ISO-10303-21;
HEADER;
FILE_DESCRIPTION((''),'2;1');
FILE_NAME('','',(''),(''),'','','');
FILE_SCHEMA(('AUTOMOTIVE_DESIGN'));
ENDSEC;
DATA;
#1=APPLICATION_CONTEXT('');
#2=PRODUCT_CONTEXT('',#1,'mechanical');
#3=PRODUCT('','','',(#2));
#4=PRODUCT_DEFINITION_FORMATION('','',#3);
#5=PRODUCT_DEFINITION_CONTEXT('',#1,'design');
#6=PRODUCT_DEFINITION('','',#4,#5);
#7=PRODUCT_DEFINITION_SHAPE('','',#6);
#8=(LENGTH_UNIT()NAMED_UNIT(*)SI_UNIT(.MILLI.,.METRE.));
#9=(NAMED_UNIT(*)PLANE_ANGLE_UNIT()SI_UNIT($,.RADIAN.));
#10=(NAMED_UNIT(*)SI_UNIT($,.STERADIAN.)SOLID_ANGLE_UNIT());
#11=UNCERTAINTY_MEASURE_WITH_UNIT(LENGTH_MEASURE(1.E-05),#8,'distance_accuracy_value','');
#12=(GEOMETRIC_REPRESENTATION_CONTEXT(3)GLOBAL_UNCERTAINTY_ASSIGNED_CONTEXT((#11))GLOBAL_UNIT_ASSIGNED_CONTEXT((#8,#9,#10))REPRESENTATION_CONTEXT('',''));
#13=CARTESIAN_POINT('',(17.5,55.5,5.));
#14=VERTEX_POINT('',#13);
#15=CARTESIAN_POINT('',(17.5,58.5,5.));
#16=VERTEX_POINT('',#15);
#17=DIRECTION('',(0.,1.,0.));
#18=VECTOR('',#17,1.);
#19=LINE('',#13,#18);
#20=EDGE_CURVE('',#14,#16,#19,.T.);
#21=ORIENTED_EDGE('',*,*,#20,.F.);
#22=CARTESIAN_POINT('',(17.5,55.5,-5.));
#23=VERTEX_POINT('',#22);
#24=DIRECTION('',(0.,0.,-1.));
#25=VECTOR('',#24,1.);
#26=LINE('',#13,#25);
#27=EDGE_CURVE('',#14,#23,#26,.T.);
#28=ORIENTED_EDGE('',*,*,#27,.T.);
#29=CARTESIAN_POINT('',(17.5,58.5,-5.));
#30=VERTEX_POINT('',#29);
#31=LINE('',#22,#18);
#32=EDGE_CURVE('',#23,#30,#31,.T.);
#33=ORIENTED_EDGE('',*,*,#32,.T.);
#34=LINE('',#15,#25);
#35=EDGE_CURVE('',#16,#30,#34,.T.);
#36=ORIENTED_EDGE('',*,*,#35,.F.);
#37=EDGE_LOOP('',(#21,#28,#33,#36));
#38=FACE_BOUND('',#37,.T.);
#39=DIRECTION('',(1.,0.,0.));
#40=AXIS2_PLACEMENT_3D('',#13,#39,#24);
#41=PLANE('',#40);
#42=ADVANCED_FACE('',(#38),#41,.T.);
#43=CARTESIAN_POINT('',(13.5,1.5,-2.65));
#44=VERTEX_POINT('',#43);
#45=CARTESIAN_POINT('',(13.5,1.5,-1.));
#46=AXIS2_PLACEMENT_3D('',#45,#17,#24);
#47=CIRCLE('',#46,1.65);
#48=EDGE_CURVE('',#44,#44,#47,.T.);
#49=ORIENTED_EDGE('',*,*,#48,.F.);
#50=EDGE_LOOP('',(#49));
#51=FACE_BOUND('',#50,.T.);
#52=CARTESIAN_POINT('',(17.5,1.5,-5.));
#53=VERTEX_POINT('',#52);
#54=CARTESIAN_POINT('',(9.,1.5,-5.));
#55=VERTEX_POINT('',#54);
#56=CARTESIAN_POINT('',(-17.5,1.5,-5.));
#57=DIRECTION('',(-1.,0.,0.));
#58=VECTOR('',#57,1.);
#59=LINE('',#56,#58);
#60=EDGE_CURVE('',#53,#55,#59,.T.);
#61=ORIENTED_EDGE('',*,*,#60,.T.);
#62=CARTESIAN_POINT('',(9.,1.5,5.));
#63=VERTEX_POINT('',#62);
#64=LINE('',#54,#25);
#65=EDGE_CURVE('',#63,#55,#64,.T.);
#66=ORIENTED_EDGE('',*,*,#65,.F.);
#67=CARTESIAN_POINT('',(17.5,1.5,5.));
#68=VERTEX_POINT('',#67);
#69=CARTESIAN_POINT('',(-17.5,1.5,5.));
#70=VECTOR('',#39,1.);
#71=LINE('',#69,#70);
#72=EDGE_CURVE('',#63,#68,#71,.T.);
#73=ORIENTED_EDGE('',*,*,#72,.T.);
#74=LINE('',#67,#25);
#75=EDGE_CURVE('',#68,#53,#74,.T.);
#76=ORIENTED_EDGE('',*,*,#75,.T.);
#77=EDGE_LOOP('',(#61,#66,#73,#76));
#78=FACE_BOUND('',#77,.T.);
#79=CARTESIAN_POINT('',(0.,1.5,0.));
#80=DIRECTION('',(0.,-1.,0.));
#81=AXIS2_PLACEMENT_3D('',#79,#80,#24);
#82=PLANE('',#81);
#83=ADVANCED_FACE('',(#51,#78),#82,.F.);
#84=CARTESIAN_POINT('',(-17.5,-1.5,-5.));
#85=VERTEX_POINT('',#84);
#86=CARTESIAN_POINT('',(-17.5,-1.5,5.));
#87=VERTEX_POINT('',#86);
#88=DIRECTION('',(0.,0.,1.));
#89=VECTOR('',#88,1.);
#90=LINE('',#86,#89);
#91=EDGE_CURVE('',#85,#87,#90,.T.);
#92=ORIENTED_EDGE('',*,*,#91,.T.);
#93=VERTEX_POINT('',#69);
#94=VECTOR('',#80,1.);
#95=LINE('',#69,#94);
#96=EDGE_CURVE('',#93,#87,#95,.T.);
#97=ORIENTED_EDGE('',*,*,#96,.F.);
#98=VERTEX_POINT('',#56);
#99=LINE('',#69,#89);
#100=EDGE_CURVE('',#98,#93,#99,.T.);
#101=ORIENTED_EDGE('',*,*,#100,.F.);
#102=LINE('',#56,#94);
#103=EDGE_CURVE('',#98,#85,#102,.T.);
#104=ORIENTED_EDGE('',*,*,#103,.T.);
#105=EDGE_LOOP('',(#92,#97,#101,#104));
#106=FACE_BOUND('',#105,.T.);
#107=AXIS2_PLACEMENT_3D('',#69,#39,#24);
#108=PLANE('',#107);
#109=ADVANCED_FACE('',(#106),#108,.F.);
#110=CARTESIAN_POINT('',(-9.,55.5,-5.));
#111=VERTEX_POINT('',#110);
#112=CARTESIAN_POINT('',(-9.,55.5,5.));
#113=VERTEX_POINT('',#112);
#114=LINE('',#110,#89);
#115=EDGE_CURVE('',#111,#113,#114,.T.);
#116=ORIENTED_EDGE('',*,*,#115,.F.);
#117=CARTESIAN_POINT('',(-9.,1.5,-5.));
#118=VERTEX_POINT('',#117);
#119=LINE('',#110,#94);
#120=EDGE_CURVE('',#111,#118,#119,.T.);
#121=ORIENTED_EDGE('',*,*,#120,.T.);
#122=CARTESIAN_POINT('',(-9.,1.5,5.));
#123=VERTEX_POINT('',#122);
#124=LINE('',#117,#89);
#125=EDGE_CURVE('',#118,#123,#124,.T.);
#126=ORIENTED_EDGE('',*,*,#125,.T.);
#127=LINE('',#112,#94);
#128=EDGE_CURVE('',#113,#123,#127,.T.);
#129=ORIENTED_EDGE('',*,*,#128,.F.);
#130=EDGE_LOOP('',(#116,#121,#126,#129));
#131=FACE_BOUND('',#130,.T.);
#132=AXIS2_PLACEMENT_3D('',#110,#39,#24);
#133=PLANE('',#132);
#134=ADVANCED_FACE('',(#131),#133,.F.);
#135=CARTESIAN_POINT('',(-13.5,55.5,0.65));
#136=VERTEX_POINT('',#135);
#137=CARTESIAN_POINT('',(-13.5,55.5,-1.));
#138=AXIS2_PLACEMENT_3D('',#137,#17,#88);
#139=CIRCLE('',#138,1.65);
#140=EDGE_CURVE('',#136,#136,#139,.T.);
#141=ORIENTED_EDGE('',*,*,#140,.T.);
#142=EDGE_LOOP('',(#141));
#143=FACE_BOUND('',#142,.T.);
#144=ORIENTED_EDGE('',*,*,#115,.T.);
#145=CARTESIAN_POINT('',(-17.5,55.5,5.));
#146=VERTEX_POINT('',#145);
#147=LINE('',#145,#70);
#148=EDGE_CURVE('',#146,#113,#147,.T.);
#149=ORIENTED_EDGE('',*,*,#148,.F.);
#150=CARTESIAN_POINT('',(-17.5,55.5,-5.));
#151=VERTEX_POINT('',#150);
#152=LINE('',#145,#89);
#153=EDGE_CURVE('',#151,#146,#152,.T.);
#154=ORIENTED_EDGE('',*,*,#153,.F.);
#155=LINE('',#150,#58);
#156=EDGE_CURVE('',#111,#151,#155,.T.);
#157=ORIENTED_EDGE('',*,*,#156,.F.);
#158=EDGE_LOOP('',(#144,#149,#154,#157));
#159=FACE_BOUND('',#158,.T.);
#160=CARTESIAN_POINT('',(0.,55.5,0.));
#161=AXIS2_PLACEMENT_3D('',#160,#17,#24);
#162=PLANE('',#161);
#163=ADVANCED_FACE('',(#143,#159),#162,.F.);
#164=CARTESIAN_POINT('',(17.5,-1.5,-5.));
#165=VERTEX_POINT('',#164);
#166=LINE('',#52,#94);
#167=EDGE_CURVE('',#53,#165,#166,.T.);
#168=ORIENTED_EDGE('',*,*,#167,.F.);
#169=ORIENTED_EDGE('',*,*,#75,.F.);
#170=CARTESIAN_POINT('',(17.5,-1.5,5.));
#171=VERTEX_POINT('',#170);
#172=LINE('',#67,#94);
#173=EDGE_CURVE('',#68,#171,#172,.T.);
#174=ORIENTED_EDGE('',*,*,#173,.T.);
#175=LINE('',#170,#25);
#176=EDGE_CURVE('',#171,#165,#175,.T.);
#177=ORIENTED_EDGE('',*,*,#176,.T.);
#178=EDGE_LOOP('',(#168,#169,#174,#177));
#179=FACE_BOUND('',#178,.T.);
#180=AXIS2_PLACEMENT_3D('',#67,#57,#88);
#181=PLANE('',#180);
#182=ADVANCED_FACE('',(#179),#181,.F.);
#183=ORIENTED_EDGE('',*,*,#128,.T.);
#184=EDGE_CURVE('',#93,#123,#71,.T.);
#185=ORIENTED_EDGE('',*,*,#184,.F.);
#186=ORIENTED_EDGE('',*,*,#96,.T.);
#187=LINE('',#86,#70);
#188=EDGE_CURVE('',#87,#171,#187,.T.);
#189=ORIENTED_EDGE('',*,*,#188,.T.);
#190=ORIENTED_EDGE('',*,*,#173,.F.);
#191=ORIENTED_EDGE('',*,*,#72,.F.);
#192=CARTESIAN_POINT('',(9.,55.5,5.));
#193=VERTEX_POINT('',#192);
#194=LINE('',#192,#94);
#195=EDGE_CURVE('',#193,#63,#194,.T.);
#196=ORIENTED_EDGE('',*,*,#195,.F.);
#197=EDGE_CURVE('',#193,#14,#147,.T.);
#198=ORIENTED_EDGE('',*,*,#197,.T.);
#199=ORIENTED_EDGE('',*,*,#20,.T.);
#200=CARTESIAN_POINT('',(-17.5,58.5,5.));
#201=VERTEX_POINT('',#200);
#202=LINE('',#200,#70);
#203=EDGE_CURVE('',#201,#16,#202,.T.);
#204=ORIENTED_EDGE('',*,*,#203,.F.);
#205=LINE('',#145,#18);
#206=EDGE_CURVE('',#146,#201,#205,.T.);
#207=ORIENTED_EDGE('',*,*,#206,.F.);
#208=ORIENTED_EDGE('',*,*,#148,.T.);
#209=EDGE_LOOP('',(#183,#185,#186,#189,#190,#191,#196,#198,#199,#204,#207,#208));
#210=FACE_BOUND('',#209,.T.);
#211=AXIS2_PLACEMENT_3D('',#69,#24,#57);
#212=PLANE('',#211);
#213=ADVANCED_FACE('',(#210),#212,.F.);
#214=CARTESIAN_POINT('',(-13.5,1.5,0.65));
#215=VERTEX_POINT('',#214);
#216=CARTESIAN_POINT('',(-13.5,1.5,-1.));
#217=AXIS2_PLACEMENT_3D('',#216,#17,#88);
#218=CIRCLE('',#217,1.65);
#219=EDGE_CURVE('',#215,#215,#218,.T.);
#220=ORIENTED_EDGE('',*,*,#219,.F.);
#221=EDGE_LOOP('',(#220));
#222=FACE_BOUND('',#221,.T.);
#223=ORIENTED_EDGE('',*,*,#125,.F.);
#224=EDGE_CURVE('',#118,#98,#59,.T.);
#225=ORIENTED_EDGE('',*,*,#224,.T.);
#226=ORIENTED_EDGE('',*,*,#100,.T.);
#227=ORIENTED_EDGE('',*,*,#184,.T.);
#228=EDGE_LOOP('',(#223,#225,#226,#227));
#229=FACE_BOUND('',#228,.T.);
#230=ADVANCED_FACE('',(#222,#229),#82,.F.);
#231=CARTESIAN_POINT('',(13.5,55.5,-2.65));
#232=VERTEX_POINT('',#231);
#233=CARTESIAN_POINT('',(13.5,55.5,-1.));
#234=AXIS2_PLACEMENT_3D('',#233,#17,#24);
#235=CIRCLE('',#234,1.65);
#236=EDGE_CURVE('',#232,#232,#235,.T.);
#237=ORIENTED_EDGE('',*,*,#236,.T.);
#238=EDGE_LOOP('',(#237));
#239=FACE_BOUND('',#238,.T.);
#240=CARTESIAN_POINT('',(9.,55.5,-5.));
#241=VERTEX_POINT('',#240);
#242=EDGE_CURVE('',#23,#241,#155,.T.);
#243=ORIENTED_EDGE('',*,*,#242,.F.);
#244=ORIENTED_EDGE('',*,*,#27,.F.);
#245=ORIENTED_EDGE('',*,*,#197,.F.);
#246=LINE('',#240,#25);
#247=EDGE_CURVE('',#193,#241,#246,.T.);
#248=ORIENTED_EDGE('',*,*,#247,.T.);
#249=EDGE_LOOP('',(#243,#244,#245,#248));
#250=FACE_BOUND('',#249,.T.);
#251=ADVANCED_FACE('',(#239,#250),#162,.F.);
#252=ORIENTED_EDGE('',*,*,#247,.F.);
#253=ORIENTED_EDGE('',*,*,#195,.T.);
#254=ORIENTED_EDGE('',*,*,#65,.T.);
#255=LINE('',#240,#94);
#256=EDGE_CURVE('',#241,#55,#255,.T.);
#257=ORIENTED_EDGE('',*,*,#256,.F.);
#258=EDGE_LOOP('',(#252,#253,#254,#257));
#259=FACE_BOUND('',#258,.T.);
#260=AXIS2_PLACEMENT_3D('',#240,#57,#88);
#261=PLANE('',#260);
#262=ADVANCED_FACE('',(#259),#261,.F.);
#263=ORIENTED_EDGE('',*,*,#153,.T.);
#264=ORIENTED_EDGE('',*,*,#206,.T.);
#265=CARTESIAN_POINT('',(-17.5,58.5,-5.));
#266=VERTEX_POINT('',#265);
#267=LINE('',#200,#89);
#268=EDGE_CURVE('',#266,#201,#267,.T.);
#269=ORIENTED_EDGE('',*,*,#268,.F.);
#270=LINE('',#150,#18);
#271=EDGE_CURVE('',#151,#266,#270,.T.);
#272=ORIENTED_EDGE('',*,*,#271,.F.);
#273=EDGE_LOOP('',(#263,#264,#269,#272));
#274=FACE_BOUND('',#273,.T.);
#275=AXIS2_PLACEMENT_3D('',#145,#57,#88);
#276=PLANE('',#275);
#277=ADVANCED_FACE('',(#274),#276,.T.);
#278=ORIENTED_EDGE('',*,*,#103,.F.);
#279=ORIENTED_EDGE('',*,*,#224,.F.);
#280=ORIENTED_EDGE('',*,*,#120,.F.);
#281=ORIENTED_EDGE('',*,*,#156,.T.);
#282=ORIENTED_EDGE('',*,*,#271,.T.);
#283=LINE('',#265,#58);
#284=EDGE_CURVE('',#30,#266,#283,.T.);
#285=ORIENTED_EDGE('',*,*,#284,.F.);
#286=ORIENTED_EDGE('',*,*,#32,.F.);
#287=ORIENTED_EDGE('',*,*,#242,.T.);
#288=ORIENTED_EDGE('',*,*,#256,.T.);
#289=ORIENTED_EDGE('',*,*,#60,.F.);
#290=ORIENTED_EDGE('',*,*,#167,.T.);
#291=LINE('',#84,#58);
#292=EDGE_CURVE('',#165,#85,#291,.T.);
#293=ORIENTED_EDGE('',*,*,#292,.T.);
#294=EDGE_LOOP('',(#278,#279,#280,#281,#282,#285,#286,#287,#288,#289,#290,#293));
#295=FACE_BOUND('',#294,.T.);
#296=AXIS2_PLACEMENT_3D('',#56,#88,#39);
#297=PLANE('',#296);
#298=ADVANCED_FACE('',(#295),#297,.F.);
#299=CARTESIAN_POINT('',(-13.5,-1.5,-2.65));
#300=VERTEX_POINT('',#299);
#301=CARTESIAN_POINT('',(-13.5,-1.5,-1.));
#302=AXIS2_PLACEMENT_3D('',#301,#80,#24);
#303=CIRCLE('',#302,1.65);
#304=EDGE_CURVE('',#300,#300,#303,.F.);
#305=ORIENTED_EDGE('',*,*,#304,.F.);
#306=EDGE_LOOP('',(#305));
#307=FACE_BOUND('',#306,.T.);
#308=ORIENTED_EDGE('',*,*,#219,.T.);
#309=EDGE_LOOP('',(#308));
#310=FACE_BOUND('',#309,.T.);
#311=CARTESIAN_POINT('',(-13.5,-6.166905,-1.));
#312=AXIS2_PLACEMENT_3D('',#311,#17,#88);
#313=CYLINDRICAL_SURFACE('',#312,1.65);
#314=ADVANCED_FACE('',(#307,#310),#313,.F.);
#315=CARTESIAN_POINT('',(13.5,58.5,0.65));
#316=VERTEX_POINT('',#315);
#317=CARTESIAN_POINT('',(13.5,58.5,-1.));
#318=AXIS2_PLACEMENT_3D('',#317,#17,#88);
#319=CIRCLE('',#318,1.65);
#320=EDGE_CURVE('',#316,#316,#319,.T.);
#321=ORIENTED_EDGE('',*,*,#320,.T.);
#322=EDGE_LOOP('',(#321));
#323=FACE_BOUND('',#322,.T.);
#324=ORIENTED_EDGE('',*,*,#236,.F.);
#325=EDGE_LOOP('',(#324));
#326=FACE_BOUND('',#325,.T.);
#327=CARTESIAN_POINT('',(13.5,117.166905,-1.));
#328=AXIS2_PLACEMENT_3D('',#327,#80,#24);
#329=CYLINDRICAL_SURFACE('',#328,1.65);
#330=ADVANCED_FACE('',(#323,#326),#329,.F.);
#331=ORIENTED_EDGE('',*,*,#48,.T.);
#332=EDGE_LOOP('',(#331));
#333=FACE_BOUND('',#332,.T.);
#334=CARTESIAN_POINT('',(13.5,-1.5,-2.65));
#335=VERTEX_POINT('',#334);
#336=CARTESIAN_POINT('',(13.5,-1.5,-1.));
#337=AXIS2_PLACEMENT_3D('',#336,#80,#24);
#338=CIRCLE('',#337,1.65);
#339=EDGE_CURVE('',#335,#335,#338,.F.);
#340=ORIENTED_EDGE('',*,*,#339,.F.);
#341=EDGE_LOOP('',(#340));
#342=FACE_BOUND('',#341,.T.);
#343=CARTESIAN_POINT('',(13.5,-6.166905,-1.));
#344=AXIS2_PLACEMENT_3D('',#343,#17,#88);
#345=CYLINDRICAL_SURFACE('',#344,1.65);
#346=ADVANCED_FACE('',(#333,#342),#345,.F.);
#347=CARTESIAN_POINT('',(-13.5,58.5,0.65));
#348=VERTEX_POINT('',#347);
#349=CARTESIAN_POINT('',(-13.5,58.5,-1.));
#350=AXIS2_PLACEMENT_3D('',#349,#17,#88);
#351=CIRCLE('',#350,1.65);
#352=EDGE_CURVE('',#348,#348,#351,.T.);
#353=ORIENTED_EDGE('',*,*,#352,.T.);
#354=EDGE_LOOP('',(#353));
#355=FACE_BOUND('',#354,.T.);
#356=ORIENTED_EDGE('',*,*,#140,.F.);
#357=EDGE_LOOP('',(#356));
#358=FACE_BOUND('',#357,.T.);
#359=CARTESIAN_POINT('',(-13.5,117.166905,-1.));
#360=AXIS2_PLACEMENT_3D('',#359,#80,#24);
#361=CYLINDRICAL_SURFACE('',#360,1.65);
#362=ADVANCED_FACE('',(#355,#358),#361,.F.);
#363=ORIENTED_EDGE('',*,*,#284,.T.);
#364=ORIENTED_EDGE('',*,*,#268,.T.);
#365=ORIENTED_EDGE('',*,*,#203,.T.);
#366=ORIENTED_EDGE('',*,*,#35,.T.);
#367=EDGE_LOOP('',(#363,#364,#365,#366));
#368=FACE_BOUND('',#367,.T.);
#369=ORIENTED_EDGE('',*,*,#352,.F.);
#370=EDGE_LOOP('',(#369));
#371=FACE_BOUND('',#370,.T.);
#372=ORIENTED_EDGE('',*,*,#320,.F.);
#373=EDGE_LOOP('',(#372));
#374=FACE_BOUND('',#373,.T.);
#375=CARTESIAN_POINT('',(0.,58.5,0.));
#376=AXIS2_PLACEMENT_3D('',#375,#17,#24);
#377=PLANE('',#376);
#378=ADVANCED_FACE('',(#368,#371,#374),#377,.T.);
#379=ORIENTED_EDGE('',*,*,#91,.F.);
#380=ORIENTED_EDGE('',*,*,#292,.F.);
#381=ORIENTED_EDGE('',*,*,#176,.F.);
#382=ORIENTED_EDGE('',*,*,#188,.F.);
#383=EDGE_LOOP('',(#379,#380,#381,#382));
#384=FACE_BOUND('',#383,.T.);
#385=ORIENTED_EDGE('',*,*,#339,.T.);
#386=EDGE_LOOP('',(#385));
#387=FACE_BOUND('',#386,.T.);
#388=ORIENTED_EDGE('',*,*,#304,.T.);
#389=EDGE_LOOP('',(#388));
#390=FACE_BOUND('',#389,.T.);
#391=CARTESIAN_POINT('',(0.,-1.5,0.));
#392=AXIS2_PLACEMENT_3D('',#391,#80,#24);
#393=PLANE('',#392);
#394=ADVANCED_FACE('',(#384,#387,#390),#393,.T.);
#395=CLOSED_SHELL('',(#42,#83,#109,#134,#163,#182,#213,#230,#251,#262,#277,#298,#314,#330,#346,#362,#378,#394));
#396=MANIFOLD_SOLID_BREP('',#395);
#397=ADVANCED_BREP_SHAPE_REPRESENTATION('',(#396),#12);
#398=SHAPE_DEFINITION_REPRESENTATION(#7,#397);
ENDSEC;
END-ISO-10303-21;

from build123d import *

# Parameters (mm, degrees)
SKETCH1_W           = 35
SKETCH1_H           = 10
BOSS_EXTRUDE1_DEPTH = 1.5
SKETCH2_R           = 1.65
CUT_EXTRUDE1_DEPTH  = 3
SKETCH3_W           = 18
SKETCH3_H           = 10
BOSS_EXTRUDE2_DEPTH = 54


with BuildPart() as part:
    # Sketch1 → Boss-Extrude1 (new body, symmetric)
    with BuildSketch(Plane(origin=(0, 0, 0), x_dir=(1, 0, 0), z_dir=(0, 1, 0))):
        Rectangle(SKETCH1_W, SKETCH1_H)
    boss_extrude1 = extrude(amount=BOSS_EXTRUDE1_DEPTH, both=True)

    # Sketch2 → Cut-Extrude1 (cut)
    with BuildSketch(Plane(origin=(0, 1.5, 0), x_dir=(1, 0, 0), z_dir=(0, 1, 0))):
        with Locations((-13.5, 1)):
            Circle(SKETCH2_R)
        with Locations((13.5, 1)):
            Circle(SKETCH2_R)
    cut_extrude1 = extrude(amount=-CUT_EXTRUDE1_DEPTH, mode=Mode.SUBTRACT)

    # Sketch3 → Boss-Extrude2 (add)
    with BuildSketch(Plane(origin=(0, 1.5, 0), x_dir=(1, 0, 0), z_dir=(0, 1, 0))):
        Rectangle(SKETCH3_W, SKETCH3_H)
    extrude(amount=BOSS_EXTRUDE2_DEPTH)

    # Mirror1: Boss-Extrude1, Cut-Extrude1 across plane
    add(boss_extrude1.mirror(Plane.ZX.offset(28.5)))
    add(cut_extrude1.mirror(Plane.ZX.offset(28.5)), mode=Mode.SUBTRACT)


solid = part.part
